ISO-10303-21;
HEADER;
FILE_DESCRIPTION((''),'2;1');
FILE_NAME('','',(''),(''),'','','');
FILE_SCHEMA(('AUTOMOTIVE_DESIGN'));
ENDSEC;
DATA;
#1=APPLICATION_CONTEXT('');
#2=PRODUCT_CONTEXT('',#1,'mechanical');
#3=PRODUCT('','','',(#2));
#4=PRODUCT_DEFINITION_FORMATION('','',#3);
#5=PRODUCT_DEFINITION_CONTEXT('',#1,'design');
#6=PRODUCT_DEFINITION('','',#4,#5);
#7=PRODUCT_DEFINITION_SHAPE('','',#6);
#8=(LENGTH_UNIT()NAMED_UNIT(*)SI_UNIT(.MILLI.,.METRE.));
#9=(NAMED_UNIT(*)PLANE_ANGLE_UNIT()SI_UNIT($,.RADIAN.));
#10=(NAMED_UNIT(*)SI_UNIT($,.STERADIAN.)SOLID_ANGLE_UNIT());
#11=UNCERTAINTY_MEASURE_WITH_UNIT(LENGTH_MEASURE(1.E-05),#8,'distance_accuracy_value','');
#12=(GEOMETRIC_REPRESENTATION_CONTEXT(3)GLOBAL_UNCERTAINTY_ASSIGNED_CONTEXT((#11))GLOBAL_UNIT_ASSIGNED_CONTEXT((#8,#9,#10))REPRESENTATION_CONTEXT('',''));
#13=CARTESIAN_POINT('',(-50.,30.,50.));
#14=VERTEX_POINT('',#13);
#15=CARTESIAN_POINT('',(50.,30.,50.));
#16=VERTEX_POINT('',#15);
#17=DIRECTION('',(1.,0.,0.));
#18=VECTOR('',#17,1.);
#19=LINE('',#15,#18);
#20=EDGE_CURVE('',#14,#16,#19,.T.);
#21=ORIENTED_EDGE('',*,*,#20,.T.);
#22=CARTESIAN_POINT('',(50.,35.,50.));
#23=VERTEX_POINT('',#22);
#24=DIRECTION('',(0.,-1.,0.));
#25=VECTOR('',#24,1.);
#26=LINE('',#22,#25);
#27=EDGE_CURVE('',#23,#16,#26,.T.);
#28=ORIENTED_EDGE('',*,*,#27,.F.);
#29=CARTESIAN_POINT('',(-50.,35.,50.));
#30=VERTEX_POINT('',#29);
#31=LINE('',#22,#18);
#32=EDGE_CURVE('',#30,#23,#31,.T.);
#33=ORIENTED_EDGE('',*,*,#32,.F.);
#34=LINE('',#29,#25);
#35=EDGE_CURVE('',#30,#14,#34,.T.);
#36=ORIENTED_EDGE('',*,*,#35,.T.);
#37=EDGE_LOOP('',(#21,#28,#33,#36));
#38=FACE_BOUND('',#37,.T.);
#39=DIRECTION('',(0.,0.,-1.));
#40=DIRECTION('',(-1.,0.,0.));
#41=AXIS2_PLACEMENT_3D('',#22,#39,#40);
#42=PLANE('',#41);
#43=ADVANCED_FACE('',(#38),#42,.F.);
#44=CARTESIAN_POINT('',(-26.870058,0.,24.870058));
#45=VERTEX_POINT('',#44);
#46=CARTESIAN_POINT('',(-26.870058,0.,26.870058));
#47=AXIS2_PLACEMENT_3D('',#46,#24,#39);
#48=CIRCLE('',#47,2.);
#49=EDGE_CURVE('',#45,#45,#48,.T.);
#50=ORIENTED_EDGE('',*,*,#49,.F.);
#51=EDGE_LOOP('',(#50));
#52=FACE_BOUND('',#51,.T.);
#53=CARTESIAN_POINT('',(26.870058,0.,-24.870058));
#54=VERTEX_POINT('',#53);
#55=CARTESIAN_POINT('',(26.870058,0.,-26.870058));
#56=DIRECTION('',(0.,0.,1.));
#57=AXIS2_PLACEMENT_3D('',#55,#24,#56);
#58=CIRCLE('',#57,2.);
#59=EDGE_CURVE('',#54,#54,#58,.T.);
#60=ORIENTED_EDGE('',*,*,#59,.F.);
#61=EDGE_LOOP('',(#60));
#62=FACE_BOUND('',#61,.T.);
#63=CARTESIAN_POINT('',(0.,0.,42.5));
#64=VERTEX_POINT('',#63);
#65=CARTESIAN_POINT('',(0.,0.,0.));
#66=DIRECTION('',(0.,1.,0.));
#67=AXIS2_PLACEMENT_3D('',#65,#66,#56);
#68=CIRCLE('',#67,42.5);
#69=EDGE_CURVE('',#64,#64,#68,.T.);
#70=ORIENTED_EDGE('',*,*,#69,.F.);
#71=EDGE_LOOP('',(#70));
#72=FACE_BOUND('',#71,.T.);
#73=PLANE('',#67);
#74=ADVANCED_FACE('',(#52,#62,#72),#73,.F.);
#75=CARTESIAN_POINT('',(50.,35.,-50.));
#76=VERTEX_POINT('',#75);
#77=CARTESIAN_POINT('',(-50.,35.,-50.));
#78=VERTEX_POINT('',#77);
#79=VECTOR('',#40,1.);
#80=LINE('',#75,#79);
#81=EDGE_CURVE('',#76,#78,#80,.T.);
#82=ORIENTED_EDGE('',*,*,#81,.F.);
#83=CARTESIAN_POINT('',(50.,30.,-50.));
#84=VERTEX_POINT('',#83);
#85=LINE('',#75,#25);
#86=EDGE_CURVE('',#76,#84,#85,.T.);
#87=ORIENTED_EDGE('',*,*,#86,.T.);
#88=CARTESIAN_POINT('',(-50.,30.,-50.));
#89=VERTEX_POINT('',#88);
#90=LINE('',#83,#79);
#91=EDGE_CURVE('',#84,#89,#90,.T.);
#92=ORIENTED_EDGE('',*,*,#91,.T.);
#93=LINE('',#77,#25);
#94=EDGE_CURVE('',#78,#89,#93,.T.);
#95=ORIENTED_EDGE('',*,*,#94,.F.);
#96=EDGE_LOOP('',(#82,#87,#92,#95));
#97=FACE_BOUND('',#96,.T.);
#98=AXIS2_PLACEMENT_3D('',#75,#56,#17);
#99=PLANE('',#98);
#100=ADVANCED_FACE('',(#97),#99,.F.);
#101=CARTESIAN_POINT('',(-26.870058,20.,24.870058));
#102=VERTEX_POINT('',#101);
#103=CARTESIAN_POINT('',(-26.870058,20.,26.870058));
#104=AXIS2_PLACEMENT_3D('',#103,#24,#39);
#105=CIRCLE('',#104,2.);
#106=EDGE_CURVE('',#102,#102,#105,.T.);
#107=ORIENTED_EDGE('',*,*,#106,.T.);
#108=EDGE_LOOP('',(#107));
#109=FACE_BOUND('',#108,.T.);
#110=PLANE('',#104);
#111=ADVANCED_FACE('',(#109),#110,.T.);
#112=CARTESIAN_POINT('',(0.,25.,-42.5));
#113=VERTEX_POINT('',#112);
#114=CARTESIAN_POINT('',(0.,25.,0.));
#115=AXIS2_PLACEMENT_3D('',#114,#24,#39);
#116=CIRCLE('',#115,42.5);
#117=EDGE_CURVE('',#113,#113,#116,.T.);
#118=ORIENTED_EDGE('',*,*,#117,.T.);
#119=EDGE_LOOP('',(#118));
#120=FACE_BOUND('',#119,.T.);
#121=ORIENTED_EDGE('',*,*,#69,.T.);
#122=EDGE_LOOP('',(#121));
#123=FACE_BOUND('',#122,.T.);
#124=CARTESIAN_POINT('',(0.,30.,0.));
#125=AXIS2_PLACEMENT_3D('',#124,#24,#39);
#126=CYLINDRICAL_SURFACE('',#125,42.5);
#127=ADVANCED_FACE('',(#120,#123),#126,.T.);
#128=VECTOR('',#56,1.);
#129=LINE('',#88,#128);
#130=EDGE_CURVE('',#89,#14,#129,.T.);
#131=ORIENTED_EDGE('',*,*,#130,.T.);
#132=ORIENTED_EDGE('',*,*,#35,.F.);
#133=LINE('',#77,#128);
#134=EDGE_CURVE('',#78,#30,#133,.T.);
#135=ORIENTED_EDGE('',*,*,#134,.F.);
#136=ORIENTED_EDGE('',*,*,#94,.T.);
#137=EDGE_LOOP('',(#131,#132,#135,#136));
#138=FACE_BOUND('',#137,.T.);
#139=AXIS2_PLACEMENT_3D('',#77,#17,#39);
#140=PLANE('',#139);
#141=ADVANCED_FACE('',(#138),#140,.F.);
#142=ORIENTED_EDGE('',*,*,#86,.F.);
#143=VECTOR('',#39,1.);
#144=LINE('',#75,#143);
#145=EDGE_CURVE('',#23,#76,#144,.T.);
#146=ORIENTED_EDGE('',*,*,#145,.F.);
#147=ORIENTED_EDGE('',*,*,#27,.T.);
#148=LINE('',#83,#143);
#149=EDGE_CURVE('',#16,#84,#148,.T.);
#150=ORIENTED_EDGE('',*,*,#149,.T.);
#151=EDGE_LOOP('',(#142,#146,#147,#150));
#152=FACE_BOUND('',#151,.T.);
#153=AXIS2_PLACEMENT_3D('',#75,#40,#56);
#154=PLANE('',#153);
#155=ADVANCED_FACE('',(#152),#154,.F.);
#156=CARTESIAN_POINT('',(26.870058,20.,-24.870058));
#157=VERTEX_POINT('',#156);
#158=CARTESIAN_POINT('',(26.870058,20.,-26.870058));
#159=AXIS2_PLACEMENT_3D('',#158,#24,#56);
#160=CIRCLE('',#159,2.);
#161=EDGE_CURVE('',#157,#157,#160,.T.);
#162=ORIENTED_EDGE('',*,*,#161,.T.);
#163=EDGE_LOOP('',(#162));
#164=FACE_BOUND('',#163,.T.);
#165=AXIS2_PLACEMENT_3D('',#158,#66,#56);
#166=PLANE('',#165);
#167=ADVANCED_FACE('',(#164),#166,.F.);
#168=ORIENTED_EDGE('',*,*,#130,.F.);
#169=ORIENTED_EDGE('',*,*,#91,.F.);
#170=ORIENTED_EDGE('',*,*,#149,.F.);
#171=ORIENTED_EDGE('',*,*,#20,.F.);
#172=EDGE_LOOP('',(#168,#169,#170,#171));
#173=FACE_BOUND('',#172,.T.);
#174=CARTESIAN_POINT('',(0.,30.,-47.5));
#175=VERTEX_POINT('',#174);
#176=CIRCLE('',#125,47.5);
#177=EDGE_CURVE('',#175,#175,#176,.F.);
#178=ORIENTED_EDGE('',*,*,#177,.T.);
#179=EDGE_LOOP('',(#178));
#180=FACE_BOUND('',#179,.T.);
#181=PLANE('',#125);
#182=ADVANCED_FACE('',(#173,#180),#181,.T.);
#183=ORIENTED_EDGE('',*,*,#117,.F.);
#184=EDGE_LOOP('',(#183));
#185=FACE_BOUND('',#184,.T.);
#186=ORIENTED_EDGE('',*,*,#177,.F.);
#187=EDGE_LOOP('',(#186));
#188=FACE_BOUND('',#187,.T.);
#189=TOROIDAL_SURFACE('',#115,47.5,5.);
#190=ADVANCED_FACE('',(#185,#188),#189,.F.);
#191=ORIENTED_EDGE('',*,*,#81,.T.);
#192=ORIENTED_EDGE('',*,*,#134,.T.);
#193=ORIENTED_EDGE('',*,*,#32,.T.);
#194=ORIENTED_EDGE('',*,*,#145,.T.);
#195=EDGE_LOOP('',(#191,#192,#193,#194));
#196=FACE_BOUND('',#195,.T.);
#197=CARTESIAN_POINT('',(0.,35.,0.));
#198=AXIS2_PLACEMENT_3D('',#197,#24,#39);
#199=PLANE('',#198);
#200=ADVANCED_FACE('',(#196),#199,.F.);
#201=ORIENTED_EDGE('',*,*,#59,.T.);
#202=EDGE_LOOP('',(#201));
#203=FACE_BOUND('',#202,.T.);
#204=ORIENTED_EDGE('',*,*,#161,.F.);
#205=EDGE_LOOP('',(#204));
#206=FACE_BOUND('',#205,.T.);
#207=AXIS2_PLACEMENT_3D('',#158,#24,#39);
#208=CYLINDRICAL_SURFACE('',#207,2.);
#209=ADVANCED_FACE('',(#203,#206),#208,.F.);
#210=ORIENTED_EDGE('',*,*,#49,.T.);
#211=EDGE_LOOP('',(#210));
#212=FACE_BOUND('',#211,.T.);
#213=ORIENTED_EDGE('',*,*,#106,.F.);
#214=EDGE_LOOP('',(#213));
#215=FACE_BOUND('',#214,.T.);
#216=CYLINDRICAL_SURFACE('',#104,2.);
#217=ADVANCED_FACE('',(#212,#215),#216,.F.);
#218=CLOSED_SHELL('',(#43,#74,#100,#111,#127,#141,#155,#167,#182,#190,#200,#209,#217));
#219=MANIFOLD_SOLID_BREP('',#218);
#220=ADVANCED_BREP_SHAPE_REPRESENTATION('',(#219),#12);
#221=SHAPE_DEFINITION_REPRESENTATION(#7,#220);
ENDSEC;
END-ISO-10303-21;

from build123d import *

# Parameters (mm, degrees)
CROQUIS1_R              = 42.5
SALIENTE_EXTRUIR1_DEPTH = 30
CROQUIS2_W              = 100
CROQUIS2_H              = 100
SALIENTE_EXTRUIR2_DEPTH = 5
REDONDEO1_R             = 5
CROQUIS3_R              = 2
CORTAR_EXTRUIR1_DEPTH   = 20


with BuildPart() as part:
    # Croquis1 → Saliente-Extruir1 (new body)
    with BuildSketch(Plane(origin=(0, 0, 0), x_dir=(1, 0, 0), z_dir=(0, 1, 0))):
        with Locations(Location((0, 0, 0), (0, 0, 270))):
            Circle(CROQUIS1_R)
    extrude(amount=SALIENTE_EXTRUIR1_DEPTH)

    # Croquis2 → Saliente-Extruir2 (add)
    with BuildSketch(Plane(origin=(0, 30, 0), x_dir=(1, 0, 0), z_dir=(0, 1, 0))):
        Rectangle(CROQUIS2_W, CROQUIS2_H)
    extrude(amount=SALIENTE_EXTRUIR2_DEPTH)

    # Redondeo1
    redondeo1_edges = [part.edges().sort_by_distance(p)[0] for p in [
        (0, 30, -42.5),
    ]]
    fillet(redondeo1_edges, radius=REDONDEO1_R)

    # Croquis3 → Cortar-Extruir1 (cut)
    with BuildSketch(Plane.XZ):
        with Locations(Location((-26.870057685, 26.870057685, 0), (0, 0, 270))):
            Circle(CROQUIS3_R)
        with Locations(Location((26.870057685, -26.870057685, 0), (0, 0, 90))):
            Circle(CROQUIS3_R)
    extrude(amount=-CORTAR_EXTRUIR1_DEPTH, mode=Mode.SUBTRACT)


solid = part.part
